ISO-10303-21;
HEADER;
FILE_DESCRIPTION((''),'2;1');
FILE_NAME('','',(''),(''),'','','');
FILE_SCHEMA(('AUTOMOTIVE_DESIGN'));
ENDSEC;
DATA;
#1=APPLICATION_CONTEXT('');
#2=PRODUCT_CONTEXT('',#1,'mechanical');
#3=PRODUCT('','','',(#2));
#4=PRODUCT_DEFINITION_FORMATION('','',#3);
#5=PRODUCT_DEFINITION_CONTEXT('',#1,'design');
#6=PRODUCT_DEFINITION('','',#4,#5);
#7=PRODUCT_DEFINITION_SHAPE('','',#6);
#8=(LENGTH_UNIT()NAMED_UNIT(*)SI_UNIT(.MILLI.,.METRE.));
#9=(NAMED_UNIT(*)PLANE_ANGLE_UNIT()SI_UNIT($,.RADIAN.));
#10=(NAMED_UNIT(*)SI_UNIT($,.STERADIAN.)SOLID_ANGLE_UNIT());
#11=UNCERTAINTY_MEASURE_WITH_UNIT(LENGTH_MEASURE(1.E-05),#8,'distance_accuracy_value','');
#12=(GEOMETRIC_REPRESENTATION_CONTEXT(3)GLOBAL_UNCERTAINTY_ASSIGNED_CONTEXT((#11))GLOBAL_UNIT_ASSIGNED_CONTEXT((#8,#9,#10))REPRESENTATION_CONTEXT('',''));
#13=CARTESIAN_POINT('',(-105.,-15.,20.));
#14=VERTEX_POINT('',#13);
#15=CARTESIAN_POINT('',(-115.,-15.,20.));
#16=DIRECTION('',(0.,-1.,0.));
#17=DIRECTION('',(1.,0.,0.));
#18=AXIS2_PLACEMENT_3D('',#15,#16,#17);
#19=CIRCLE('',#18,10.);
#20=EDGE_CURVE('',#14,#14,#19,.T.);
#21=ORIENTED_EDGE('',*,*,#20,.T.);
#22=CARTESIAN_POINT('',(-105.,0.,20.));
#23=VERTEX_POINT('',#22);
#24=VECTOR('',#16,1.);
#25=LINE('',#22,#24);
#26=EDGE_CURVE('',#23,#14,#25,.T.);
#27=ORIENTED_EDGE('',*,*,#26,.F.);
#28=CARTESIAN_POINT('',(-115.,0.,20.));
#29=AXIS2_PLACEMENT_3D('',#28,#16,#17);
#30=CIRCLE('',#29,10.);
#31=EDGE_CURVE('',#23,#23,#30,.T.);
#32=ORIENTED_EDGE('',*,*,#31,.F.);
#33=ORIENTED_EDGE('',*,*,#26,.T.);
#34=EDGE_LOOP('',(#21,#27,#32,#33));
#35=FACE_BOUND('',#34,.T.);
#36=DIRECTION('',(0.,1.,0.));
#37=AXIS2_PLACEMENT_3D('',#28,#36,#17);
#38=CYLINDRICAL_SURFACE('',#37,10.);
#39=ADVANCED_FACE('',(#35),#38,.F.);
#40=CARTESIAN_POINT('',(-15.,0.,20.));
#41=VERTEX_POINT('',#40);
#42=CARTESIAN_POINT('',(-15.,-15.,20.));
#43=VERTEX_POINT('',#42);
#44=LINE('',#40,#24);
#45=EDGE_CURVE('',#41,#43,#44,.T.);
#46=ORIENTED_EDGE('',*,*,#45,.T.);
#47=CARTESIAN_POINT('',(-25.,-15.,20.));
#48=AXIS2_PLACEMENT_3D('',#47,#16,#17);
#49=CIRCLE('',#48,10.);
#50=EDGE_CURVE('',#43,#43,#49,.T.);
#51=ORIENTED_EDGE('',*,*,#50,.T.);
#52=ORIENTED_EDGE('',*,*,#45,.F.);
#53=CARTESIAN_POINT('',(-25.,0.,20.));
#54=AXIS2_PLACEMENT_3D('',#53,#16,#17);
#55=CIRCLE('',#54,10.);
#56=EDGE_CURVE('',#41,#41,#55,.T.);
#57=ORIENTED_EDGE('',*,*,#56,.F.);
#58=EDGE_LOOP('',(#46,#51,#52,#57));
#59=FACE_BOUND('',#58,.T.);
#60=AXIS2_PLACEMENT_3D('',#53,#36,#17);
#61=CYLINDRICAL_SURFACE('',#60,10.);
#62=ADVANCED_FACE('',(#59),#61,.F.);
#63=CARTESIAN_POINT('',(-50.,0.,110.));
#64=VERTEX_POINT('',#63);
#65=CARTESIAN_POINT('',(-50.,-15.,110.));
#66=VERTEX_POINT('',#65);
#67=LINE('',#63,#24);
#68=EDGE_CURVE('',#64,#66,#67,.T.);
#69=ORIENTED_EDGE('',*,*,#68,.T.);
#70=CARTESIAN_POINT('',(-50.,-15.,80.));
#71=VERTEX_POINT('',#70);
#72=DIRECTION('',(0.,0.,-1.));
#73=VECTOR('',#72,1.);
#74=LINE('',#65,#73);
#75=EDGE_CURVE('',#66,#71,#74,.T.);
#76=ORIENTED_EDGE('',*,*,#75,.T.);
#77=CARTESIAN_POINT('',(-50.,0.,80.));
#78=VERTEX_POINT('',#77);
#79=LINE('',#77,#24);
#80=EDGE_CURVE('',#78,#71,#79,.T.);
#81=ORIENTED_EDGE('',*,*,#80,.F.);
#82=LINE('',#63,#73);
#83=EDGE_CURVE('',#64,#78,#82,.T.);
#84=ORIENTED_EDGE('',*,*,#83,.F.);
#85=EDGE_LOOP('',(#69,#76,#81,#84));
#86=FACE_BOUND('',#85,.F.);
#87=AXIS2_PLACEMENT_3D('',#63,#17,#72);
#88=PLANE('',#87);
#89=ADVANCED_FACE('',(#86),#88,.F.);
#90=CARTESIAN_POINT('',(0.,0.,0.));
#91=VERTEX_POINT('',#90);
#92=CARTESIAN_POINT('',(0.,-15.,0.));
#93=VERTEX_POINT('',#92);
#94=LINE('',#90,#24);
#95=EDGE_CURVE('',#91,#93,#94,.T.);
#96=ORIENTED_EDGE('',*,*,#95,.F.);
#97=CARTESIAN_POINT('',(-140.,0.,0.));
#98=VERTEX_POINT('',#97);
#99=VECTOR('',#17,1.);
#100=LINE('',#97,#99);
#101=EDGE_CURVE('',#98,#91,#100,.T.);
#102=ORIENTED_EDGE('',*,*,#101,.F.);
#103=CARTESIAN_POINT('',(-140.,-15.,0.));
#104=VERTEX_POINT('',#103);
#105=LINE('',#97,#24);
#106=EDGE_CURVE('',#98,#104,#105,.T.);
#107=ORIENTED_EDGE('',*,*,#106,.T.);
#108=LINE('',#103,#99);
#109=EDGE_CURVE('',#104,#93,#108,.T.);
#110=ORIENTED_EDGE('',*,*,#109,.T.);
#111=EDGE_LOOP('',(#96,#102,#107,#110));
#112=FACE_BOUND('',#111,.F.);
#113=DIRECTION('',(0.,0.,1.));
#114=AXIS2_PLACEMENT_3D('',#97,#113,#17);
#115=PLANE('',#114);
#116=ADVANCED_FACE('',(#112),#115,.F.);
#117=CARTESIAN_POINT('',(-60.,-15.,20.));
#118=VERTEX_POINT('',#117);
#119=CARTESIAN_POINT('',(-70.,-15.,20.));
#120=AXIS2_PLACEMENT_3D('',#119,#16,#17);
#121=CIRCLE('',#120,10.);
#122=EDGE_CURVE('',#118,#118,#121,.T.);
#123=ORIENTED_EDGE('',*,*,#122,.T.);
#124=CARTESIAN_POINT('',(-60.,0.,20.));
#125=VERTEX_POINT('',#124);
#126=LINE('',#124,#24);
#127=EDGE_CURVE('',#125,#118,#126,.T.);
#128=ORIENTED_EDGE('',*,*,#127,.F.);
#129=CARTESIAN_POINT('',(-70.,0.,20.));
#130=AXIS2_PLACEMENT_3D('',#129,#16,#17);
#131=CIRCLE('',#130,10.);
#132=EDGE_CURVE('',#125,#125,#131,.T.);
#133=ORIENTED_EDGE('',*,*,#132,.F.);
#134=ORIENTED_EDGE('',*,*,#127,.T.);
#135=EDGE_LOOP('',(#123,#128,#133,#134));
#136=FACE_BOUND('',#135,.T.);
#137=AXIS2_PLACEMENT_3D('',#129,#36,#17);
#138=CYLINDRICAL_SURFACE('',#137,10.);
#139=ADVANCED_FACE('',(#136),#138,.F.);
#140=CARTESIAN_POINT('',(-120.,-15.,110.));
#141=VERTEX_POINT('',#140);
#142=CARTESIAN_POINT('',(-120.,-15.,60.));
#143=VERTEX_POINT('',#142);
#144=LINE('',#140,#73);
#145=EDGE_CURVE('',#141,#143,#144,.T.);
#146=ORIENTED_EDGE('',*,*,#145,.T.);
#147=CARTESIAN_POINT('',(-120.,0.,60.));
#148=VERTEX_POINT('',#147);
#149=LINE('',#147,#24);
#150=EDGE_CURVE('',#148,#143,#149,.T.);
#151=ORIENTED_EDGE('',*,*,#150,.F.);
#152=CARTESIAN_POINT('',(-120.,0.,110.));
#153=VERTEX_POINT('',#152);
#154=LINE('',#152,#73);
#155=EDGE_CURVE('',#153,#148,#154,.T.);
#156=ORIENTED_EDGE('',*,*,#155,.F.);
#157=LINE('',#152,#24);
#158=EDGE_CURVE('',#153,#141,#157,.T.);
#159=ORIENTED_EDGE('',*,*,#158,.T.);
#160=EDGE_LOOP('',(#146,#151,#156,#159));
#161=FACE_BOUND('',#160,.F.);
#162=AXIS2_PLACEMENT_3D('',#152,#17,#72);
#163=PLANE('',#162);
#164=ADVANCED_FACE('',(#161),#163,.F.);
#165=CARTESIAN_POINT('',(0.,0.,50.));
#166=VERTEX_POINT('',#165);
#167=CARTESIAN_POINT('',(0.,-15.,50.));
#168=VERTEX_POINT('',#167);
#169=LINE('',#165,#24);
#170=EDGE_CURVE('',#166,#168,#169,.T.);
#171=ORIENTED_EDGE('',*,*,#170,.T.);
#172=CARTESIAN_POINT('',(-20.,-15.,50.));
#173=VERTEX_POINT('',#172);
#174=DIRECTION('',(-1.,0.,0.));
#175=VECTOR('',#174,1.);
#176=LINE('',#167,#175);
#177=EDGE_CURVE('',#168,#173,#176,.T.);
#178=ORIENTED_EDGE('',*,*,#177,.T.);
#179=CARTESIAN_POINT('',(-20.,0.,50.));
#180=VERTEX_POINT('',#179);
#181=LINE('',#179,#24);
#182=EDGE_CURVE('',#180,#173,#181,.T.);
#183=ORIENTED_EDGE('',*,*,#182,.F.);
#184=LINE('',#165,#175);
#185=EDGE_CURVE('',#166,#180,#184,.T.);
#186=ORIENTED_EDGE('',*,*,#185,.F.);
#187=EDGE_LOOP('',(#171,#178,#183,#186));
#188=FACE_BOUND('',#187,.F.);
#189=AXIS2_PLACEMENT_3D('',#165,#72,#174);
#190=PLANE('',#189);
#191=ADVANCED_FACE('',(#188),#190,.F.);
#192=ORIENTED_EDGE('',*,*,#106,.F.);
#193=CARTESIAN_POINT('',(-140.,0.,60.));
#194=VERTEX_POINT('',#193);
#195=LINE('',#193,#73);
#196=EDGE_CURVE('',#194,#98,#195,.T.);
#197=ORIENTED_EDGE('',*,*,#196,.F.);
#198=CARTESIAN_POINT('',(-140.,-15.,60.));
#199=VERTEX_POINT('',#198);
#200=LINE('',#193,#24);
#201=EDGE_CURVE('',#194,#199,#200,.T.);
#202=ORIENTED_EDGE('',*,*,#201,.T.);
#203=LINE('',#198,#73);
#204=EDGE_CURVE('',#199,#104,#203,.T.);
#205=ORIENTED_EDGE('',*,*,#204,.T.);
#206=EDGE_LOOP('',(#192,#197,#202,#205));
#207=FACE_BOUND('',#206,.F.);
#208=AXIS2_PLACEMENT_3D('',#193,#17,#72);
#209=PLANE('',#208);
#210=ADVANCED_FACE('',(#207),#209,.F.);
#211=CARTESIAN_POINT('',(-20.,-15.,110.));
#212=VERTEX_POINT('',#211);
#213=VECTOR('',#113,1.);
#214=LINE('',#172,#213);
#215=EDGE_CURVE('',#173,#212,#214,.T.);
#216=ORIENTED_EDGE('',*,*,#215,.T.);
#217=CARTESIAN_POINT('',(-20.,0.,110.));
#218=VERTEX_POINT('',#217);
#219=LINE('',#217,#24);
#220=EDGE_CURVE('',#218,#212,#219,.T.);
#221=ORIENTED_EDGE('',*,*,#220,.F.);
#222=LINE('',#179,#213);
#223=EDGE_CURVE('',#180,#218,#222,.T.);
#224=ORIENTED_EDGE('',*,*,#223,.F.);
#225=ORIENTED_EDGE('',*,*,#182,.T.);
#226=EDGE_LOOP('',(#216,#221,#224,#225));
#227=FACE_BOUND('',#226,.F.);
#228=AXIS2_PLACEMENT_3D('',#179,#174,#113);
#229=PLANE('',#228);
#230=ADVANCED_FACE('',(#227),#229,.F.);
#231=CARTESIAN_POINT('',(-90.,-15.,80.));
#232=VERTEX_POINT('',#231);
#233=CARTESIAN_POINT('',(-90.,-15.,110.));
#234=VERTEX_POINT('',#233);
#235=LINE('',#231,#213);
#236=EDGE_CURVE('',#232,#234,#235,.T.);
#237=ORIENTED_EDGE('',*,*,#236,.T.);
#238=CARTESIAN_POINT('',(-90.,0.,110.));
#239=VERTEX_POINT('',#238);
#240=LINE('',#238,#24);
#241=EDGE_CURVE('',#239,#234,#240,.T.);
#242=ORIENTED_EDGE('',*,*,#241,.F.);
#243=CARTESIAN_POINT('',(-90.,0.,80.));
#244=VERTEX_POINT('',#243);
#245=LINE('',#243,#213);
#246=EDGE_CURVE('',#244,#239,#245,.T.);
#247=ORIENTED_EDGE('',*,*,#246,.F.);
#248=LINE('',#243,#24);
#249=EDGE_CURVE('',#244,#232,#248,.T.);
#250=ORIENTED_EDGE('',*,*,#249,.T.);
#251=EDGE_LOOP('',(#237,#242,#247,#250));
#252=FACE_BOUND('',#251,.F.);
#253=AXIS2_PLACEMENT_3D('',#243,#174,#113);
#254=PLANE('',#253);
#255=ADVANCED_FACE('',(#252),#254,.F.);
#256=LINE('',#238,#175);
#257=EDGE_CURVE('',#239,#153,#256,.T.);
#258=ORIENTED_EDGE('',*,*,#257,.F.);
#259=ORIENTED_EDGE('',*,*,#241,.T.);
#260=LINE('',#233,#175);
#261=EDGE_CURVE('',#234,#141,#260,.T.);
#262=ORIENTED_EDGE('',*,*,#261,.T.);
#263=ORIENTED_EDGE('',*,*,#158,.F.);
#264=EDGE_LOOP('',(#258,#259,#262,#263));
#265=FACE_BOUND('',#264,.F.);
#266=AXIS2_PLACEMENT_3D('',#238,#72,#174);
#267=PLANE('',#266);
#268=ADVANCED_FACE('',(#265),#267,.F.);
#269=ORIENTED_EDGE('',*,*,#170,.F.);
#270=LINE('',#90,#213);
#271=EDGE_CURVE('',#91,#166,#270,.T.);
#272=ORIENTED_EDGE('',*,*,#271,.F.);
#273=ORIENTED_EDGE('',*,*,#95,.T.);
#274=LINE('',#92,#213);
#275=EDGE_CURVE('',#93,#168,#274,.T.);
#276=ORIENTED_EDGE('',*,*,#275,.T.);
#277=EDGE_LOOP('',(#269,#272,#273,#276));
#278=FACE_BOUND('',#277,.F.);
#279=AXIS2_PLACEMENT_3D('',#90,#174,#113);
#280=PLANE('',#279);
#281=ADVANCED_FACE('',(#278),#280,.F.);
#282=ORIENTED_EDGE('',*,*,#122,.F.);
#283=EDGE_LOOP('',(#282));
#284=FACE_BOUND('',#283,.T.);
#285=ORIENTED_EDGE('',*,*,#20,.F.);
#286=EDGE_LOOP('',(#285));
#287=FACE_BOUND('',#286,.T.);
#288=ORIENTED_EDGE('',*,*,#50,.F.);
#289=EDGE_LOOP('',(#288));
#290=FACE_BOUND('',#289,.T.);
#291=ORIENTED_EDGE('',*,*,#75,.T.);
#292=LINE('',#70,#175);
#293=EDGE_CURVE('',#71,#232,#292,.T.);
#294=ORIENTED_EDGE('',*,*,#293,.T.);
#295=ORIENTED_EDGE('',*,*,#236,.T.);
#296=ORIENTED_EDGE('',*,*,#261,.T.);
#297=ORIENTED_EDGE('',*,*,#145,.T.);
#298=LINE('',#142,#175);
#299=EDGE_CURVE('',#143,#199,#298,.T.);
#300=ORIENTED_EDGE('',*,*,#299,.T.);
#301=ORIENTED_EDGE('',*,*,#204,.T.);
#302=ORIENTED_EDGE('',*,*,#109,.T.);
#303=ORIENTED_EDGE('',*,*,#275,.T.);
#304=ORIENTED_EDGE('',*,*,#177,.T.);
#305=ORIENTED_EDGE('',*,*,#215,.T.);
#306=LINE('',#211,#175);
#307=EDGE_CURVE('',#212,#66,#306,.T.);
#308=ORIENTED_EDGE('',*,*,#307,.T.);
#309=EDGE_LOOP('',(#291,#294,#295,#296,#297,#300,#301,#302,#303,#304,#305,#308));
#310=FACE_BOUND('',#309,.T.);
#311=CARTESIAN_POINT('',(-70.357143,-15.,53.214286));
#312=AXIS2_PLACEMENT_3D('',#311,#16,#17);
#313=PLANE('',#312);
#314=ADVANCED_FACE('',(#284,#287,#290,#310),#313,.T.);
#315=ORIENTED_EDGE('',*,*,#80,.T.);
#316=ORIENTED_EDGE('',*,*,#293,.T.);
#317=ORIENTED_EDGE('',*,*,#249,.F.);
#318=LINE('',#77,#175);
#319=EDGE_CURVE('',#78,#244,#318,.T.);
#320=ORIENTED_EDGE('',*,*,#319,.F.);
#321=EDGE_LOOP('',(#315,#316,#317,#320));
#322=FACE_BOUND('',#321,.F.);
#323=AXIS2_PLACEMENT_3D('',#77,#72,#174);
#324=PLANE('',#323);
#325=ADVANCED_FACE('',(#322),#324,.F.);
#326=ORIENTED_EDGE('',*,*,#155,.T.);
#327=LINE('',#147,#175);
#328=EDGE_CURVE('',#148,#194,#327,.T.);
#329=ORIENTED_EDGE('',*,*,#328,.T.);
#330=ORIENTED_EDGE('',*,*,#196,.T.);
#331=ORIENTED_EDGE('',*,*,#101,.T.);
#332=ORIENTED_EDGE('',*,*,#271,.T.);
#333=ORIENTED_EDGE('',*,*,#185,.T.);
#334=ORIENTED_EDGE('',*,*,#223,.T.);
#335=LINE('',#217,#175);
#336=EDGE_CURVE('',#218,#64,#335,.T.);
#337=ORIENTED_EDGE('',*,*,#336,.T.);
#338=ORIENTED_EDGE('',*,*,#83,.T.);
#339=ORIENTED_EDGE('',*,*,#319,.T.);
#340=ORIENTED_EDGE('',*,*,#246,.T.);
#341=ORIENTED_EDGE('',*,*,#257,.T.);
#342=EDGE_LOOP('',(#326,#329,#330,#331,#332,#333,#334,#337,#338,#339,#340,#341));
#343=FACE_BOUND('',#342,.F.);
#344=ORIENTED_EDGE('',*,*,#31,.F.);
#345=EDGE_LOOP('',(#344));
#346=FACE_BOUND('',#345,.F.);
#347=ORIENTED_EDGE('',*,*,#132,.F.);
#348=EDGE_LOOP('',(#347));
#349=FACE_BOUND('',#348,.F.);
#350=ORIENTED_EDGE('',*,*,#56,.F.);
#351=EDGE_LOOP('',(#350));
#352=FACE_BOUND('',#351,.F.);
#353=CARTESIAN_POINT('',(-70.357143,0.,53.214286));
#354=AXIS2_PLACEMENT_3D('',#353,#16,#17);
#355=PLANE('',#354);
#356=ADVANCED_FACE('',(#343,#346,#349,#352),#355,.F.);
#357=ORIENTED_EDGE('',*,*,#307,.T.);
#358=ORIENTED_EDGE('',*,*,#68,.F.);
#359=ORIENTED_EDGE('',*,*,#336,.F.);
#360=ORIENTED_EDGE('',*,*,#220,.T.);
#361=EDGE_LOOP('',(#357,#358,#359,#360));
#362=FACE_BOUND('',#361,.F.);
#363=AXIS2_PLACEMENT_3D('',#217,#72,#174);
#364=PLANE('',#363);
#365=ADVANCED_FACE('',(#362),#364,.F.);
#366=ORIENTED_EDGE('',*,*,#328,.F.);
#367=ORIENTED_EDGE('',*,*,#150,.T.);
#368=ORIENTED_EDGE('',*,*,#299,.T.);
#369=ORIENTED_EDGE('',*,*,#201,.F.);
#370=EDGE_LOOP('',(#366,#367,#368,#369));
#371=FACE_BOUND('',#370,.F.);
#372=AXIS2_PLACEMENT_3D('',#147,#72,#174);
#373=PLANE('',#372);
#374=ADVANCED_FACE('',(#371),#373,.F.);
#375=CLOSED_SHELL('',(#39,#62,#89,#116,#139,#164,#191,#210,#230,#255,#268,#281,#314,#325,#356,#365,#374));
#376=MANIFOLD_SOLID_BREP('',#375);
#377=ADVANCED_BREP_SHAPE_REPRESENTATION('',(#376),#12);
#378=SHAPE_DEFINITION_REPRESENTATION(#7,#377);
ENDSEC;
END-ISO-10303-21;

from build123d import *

# Parameters (mm, degrees)
F0_R     = 10
F1_DEPTH = 15


with BuildPart() as f1:
    # F0 (on Front) → F1 (new body)
    with BuildSketch(Plane.XZ):
        Polygon((-140, 60), (-140, 0), (0, 0), (0, 50), (-20, 50), (-20, 110), (-50, 110), (-50, 80), (-90, 80), (-90, 110), (-120, 110), (-120, 60), align=None)
        with Locations((-115, 20)):
            Circle(F0_R, mode=Mode.SUBTRACT)
        with Locations((-70, 20)):
            Circle(F0_R, mode=Mode.SUBTRACT)
        with Locations((-25, 20)):
            Circle(F0_R, mode=Mode.SUBTRACT)
    extrude(amount=F1_DEPTH)


solid = f1.part
